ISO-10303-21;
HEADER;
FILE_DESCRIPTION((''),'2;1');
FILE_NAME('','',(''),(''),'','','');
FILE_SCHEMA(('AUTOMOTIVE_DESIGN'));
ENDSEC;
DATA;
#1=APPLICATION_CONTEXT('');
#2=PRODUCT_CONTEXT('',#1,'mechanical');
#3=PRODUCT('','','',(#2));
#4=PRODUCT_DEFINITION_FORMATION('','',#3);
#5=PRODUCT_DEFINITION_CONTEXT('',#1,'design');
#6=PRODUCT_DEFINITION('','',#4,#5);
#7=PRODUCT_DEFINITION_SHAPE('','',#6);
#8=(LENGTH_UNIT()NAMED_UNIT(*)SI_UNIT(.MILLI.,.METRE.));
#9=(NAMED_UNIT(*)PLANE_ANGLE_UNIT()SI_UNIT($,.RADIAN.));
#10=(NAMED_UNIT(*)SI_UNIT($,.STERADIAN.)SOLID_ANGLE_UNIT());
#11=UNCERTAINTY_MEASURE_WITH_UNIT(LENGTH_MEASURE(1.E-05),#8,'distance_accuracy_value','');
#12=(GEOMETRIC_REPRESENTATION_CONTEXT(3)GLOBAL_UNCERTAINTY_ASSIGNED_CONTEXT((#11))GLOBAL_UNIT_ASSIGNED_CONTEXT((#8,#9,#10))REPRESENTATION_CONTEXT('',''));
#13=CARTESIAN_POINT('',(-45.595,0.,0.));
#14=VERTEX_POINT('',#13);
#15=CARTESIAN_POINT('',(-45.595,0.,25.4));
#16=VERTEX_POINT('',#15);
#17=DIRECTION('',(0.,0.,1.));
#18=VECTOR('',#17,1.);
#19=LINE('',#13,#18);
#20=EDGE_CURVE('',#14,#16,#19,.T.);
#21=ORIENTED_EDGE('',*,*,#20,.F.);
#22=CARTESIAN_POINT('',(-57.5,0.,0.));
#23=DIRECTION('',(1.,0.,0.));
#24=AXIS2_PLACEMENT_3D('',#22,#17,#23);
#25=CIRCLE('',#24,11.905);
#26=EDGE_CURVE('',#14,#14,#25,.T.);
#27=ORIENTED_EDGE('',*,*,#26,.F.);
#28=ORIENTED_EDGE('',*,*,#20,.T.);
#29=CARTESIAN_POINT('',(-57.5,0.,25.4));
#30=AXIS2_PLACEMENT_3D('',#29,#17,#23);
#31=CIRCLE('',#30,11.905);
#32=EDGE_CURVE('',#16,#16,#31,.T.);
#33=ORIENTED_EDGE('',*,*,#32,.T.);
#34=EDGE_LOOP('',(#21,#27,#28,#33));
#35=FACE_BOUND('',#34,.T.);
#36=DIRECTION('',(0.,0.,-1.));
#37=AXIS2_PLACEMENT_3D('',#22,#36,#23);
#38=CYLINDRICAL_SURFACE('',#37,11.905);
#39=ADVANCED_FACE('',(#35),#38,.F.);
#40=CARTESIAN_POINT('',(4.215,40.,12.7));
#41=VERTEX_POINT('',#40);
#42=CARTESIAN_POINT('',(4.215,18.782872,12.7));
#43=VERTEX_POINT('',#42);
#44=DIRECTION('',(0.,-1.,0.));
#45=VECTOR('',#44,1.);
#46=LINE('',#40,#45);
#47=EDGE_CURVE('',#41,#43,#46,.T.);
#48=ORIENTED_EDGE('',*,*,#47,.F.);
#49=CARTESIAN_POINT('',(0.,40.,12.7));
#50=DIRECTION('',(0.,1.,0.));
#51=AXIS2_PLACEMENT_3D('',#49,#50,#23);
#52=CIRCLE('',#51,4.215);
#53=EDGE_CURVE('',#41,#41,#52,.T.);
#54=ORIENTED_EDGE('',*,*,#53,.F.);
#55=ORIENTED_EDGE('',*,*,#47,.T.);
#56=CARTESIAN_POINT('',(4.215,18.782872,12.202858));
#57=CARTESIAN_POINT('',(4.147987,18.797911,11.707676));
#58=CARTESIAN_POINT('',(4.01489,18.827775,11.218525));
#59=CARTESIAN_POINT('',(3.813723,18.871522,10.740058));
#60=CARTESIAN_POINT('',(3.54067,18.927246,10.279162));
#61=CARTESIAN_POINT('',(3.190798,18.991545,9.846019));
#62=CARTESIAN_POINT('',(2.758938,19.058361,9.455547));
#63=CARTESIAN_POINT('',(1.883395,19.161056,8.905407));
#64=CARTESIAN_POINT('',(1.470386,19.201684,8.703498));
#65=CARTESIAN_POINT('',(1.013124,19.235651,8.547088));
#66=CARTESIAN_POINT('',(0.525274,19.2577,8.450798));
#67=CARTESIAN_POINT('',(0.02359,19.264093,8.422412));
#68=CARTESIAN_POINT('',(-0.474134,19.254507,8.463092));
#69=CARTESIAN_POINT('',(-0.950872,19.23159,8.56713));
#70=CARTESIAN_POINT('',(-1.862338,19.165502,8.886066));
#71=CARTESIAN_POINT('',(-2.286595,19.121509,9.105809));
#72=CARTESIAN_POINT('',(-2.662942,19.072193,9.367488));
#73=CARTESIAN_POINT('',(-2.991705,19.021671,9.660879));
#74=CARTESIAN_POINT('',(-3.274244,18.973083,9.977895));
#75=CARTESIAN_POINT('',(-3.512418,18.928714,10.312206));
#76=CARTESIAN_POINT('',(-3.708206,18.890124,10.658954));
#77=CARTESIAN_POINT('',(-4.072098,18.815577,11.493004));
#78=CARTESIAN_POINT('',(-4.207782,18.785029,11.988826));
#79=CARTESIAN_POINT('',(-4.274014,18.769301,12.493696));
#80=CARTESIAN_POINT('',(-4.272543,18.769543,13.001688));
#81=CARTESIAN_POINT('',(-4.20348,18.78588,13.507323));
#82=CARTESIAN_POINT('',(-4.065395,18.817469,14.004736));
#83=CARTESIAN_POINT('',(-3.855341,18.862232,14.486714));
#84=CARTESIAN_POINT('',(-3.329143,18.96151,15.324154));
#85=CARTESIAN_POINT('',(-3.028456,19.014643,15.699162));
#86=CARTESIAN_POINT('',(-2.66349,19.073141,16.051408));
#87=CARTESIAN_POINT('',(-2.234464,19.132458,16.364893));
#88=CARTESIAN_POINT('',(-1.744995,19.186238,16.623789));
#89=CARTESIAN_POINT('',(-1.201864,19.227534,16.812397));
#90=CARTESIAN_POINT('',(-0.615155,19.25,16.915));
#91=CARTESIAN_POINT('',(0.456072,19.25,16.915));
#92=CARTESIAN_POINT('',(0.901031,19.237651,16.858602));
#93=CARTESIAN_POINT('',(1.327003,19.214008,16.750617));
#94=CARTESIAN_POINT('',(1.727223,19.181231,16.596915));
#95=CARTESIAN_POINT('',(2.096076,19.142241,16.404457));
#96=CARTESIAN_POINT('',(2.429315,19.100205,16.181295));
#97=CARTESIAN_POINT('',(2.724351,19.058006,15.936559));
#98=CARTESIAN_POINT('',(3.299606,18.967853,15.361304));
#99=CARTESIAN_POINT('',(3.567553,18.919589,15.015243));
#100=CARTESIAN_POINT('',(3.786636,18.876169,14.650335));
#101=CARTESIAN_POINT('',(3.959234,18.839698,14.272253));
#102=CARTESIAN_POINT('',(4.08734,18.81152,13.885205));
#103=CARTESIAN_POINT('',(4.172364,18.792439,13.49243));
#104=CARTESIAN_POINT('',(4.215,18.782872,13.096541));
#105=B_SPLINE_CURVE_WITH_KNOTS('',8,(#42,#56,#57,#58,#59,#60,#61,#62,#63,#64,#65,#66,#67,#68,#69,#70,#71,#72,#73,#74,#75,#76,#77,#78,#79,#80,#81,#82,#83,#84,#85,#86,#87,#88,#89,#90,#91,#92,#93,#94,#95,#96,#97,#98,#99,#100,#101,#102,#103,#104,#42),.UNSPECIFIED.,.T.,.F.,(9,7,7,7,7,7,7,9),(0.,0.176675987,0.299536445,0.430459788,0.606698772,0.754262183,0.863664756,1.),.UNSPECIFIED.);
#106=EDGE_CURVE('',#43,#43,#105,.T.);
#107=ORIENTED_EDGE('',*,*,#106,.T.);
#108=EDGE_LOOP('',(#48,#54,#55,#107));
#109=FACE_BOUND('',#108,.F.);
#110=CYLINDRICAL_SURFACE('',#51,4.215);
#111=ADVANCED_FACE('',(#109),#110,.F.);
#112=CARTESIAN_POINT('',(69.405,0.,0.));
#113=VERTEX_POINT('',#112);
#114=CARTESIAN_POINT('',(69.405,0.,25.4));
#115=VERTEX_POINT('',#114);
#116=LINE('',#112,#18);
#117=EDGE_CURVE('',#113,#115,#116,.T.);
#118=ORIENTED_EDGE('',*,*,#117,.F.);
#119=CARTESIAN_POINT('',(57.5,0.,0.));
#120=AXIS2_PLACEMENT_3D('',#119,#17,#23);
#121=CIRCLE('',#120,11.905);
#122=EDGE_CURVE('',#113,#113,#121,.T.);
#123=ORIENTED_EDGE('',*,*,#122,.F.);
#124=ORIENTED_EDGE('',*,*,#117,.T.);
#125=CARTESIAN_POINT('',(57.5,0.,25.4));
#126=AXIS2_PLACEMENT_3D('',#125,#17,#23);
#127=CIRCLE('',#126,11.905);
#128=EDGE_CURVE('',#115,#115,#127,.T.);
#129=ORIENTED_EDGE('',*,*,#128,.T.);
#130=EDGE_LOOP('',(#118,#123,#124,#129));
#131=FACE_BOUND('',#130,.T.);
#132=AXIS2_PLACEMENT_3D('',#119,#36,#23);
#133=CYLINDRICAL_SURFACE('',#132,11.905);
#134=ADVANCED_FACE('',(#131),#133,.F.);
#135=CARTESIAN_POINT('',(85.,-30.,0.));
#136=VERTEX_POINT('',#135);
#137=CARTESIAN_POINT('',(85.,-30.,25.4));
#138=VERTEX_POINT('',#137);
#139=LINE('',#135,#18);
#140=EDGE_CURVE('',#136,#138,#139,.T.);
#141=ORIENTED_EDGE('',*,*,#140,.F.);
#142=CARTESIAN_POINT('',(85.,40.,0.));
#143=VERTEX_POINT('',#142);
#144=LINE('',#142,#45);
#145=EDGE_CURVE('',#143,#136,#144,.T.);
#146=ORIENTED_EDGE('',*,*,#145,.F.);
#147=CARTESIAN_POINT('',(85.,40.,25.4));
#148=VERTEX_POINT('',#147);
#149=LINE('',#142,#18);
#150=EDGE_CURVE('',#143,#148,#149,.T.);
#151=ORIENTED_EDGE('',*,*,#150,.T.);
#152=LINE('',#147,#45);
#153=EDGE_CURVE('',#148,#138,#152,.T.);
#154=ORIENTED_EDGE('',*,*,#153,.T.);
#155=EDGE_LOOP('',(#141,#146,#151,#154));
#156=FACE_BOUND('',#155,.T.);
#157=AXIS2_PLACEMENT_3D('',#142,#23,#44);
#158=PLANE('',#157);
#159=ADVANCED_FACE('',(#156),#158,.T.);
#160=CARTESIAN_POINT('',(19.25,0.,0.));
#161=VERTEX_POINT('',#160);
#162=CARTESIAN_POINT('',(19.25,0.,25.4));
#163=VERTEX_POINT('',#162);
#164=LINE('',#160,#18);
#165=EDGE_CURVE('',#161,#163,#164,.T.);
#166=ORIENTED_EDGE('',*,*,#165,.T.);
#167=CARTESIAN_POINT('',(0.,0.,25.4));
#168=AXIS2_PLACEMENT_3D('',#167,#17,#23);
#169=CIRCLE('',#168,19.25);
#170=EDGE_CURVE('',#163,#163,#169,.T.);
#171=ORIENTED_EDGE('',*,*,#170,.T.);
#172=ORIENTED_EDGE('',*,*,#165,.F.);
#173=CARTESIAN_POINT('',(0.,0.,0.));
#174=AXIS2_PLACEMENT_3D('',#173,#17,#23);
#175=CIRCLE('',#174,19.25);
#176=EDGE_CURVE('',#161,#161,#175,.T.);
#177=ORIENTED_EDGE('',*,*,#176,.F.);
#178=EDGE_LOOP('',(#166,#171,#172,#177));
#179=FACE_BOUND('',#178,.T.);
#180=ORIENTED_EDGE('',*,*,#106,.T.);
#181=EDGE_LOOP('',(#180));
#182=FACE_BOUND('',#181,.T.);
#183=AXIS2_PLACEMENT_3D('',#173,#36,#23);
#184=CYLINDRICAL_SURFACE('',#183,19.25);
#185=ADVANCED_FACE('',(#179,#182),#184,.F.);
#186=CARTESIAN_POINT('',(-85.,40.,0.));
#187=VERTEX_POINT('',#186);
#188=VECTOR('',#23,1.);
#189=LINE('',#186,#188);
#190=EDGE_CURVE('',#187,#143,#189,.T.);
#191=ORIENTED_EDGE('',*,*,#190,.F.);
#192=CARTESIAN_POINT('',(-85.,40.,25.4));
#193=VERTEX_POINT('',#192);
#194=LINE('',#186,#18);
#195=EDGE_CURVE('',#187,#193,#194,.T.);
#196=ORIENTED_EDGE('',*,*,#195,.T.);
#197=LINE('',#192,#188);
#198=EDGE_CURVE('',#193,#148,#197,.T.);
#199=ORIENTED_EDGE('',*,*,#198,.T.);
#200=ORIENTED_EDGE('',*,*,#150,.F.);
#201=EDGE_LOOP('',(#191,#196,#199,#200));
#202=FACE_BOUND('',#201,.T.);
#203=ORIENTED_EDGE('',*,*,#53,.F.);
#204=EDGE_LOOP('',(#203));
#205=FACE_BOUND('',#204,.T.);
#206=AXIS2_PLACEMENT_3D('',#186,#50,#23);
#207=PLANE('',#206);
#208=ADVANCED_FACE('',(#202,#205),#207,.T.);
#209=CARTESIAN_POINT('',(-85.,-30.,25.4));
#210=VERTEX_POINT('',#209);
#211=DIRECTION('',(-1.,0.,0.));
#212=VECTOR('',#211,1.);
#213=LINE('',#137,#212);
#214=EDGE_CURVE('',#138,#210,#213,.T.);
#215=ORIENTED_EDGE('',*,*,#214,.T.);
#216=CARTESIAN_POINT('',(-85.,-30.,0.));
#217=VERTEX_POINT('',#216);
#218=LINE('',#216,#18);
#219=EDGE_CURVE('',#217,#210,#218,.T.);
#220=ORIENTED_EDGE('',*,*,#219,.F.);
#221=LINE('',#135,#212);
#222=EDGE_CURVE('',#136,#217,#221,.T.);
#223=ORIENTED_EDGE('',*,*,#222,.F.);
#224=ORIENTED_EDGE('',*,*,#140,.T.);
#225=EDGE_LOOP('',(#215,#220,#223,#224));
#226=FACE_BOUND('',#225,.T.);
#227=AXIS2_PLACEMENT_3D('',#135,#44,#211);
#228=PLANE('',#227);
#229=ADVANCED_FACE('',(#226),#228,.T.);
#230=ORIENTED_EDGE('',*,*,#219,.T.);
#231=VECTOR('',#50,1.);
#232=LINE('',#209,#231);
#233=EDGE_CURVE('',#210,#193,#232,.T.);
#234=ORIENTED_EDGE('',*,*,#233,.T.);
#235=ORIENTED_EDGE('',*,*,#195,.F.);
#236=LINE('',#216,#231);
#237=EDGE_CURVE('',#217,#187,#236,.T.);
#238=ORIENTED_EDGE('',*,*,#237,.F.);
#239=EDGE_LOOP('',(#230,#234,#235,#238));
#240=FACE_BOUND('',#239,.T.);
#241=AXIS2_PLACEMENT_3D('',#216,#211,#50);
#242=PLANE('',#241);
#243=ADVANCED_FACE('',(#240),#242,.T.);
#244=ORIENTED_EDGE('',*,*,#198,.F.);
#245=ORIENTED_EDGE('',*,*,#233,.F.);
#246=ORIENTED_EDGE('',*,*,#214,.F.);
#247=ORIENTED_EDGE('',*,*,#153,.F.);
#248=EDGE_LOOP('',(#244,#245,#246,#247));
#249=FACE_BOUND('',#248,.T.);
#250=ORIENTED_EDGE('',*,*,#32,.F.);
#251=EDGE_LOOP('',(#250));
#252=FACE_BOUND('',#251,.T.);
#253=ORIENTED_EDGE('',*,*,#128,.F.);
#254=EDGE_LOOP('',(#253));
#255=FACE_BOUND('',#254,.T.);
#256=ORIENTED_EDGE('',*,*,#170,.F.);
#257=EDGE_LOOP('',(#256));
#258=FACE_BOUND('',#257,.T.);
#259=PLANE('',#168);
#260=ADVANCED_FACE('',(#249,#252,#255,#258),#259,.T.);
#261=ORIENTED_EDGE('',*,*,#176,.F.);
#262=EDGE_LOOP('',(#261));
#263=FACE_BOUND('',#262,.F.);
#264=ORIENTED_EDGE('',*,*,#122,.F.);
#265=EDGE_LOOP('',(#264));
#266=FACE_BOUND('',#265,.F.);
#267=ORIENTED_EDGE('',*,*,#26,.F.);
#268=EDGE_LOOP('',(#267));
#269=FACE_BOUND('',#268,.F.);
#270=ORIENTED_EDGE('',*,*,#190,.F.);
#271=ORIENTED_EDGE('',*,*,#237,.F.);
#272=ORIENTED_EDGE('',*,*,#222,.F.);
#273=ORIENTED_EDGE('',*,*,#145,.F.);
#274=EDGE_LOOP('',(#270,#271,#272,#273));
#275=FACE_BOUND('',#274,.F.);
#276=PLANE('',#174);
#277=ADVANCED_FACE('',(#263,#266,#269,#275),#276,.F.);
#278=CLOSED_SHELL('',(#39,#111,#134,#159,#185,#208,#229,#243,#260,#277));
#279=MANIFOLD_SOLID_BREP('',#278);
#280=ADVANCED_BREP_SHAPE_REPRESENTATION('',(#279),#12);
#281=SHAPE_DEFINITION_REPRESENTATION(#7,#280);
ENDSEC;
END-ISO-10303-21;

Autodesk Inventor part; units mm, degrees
ref_plane "YZ Plane" through (0, 0, 0) normal (1, 0, 0) x (0, 1, 0)
ref_plane "XZ Plane" through (0, 0, 0) normal (0, 1, 0) x (-1, 0, 0)
ref_plane "XY Plane" through (0, 0, 0) normal (0, 0, 1) x (1, 0, 0)
sketch "Sketch1" plane through (0, 0, 0) normal (0, 0, 1) x (1, 0, 0)
  circle A0 centre (0, 0) radius 19.25
  line L0 (-85, 40) -> (85, 40)
  line L1 (85, 40) -> (85, -30)
  line L2 (85, -30) -> (-85, -30)
  line L3 (-85, -30) -> (-85, 40)
  circle A1 centre (57.5, 0) radius 11.905
  circle A2 centre (-57.5, 0) radius 11.905
  dimension "d0" = 38.5
  dimension "d1" = 23.81
  dimension "d2" = 23.81
  dimension "d3" = 57.5
  dimension "d4" = 57.5
  dimension "d5" = 170
  dimension "d6" = 85
  dimension "d7" = 70
  dimension "d8" = 40
extrude "Extrusion1" add sketch "Sketch1" along normal blind 25.4
sketch "Sketch2" plane through (-85, 40, 0) normal (0, 1, 0) x (1, 0, 0)
  circle A0 centre (85, -12.7) radius 4.215
  line L0 (170, 0) -> (170, -25.4) projected
  point P0 (85, 0)
  dimension "d11" = 8.43
  dimension "d12" = 12.7
  dimension "d13" = 85
extrude "Extrusion2" cut sketch "Sketch2" against normal blind 25.4
properties part number "1234_Spool Plate_V1" material "Aluminum"
